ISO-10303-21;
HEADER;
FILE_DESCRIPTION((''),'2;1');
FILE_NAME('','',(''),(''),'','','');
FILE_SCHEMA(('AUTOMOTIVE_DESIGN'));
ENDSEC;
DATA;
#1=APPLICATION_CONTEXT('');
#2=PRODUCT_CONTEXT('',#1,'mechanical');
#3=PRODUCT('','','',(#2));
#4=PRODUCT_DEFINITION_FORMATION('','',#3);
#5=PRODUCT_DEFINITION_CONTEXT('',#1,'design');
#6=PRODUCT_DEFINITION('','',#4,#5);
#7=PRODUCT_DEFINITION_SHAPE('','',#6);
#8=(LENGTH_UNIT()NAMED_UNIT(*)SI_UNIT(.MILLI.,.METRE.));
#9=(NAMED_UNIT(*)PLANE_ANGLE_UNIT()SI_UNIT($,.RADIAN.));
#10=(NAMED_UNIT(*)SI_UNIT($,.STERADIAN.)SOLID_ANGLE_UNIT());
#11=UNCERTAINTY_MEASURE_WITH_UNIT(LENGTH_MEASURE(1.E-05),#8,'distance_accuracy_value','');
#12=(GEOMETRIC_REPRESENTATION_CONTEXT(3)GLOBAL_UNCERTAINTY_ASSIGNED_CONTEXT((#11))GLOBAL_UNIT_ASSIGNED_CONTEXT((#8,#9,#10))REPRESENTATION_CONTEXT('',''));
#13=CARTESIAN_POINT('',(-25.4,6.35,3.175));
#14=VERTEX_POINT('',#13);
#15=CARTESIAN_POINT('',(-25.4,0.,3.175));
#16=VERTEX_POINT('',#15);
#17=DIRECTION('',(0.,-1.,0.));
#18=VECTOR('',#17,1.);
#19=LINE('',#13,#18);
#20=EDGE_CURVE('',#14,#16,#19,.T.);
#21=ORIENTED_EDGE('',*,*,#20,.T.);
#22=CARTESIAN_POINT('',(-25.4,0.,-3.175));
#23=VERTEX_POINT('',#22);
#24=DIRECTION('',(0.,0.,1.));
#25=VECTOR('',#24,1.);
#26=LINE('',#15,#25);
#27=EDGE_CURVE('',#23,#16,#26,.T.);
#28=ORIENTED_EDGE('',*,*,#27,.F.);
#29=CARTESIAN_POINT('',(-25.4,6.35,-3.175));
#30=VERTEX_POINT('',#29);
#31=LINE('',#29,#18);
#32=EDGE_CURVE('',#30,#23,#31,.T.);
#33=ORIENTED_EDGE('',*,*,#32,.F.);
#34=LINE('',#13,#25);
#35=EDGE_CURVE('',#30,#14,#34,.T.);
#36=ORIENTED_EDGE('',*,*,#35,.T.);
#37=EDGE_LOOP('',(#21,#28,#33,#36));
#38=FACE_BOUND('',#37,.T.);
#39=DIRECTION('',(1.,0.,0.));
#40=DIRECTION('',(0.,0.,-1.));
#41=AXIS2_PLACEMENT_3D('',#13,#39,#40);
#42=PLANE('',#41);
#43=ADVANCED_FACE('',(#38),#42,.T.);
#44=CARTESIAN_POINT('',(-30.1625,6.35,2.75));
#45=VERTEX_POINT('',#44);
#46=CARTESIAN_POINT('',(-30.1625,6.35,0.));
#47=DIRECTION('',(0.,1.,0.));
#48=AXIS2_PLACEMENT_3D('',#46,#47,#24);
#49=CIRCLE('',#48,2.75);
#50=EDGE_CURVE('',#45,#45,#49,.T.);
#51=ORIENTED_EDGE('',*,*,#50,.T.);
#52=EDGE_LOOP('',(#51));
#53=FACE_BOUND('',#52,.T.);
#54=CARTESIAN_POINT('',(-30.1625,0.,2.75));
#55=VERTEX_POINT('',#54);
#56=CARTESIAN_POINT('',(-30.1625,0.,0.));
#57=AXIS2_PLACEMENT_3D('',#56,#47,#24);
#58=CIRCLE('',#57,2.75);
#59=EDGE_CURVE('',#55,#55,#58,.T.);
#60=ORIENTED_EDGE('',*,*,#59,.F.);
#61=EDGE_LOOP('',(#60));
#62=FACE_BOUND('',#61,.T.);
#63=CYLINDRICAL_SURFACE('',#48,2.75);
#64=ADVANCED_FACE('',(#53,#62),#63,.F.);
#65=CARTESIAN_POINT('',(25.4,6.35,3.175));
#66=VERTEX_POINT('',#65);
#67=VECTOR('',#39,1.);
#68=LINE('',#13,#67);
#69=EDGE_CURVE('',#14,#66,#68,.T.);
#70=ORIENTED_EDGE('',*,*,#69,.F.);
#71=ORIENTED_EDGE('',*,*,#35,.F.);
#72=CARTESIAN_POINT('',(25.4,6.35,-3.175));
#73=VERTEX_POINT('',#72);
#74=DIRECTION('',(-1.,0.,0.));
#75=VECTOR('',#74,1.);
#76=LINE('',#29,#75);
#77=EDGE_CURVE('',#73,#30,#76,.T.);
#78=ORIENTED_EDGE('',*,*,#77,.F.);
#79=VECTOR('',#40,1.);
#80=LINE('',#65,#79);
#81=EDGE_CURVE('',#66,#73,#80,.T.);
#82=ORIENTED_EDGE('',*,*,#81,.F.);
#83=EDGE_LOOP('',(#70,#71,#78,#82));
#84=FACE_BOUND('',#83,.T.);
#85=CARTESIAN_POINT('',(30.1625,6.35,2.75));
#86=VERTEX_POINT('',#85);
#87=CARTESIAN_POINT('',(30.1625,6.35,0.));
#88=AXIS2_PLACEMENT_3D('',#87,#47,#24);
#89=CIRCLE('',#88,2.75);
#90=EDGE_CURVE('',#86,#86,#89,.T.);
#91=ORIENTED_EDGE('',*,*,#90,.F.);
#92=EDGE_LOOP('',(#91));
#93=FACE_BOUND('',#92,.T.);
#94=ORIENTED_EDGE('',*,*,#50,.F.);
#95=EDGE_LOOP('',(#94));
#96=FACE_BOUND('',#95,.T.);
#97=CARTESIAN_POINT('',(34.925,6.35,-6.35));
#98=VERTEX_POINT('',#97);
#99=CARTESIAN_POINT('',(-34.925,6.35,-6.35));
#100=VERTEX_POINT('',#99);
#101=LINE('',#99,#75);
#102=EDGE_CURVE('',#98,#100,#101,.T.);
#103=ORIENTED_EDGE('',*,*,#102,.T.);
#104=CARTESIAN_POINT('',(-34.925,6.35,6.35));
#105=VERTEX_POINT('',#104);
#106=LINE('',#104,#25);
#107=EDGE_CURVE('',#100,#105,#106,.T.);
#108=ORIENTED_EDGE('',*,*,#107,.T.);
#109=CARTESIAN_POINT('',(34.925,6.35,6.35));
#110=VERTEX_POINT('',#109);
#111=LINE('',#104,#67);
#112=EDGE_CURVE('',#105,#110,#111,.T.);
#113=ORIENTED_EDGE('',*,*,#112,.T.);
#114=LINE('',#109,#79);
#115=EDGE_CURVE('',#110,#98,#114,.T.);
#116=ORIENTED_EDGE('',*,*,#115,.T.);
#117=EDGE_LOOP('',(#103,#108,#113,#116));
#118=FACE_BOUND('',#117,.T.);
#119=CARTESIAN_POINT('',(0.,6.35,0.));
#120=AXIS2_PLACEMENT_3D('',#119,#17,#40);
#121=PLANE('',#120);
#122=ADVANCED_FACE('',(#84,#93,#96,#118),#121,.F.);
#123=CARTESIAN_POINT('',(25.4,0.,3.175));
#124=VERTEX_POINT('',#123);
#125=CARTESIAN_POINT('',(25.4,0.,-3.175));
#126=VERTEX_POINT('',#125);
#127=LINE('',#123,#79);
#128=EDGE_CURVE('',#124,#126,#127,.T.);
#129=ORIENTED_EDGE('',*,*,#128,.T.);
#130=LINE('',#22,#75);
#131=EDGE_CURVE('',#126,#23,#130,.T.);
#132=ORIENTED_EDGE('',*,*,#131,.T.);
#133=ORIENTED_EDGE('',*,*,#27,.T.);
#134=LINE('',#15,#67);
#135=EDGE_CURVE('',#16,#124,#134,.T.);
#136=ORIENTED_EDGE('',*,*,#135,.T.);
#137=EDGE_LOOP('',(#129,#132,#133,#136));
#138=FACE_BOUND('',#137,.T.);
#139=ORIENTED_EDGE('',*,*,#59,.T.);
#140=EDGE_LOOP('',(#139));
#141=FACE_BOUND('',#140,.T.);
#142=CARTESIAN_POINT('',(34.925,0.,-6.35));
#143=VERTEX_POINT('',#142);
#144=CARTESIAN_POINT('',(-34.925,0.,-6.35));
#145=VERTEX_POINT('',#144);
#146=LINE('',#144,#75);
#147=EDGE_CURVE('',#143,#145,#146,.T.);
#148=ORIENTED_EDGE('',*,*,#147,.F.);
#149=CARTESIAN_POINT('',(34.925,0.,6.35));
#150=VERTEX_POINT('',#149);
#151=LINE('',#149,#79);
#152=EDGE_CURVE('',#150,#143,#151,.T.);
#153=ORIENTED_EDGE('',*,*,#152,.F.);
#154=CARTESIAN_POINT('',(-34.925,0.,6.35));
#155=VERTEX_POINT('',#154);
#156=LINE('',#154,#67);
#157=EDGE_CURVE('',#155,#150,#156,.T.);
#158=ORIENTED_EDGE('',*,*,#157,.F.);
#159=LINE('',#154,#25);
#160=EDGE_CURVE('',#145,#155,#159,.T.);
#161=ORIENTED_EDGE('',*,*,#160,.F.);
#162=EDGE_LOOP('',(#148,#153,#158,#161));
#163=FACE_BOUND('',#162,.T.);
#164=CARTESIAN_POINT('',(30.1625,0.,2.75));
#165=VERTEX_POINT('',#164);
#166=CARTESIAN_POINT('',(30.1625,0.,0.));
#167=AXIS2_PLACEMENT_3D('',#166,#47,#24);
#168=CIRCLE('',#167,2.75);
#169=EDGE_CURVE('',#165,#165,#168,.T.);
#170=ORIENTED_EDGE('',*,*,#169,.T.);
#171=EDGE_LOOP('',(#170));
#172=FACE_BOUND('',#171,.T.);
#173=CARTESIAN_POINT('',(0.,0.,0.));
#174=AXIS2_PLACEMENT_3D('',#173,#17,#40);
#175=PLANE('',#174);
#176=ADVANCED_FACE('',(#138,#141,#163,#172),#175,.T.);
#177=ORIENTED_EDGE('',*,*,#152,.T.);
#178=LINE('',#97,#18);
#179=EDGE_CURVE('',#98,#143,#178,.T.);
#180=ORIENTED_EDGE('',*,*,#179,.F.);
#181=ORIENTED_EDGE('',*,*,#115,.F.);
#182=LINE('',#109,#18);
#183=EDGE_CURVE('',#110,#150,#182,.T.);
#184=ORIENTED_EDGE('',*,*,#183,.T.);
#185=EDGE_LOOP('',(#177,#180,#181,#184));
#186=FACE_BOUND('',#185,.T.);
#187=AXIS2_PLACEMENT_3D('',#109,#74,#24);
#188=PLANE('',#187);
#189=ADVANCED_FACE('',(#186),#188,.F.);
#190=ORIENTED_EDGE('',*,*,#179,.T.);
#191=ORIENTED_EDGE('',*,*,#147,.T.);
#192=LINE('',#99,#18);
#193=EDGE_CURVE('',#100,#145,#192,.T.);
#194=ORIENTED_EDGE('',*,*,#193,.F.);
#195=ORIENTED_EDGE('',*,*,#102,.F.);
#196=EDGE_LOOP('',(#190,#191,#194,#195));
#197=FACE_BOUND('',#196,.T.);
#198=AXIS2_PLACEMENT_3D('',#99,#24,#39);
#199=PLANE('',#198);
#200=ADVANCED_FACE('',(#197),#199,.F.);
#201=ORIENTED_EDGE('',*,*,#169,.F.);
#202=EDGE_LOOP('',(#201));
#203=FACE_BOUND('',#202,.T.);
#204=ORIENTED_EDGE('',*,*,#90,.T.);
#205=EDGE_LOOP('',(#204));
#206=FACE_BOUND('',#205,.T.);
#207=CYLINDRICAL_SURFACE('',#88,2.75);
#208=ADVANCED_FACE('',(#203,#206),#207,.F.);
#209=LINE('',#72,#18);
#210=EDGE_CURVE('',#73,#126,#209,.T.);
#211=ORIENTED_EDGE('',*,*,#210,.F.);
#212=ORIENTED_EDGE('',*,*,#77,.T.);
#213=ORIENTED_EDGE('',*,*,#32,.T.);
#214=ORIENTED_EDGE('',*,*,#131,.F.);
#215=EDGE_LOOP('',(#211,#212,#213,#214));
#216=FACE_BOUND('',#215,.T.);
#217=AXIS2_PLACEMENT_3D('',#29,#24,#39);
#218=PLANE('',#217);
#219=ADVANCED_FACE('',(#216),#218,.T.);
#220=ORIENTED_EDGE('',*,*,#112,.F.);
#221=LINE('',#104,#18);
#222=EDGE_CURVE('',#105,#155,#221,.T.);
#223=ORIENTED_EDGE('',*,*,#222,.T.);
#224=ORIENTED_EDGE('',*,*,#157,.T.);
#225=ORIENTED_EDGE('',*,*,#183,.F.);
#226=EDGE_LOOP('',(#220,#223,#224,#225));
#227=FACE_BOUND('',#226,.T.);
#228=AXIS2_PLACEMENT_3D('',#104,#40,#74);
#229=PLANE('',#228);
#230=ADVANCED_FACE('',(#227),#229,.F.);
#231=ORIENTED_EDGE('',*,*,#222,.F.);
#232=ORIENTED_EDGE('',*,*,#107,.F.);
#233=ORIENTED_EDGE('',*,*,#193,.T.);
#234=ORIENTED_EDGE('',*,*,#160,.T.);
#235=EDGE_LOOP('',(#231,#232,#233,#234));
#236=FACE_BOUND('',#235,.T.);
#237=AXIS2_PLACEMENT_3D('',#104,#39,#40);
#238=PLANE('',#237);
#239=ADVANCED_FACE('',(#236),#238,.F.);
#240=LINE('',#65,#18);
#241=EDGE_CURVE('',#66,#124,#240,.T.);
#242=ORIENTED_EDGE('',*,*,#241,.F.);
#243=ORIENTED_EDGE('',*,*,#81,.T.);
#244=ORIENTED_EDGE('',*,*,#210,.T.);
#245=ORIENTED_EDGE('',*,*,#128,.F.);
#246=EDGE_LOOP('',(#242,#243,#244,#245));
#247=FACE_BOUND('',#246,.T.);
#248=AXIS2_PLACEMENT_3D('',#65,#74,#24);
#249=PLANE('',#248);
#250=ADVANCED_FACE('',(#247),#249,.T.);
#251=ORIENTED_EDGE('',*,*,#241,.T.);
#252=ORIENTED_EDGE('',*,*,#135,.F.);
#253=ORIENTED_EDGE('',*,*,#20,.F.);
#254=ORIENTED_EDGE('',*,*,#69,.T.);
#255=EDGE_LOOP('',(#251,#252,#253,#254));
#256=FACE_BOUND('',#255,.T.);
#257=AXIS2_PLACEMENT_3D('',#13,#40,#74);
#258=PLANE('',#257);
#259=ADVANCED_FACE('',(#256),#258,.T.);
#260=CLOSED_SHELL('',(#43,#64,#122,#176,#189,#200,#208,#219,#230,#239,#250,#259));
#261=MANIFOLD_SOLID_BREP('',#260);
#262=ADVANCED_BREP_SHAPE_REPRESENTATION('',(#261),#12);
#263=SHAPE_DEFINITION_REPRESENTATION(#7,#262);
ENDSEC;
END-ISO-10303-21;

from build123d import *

# Parameters (mm, degrees)
SKETCH1_W            = 69.85
SKETCH1_H            = 12.7
SKETCH1_W_2          = 50.8
SKETCH1_H_2          = 6.35
BOSS_EXTRUDE1_DEPTH  = 6.35
M5_CLEARANCE_HOLE1_D = 5.5


with BuildPart() as part:
    # Sketch1 → Boss-Extrude1 (new body)
    with BuildSketch(Plane(origin=(0, 0, 0), x_dir=(1, 0, 0), z_dir=(0, 1, 0))):
        Rectangle(SKETCH1_W, SKETCH1_H)
        Rectangle(SKETCH1_W_2, SKETCH1_H_2, mode=Mode.SUBTRACT)
    extrude(amount=BOSS_EXTRUDE1_DEPTH)

    # M5 Clearance Hole1 (through all)
    with Locations(Plane(origin=(0, 6.35, 0), x_dir=(1, 0, 0), z_dir=(0, 1, 0))):
        with Locations((-30.1625, 0)):
            m5_clearance_hole1 = Hole(M5_CLEARANCE_HOLE1_D / 2)

    # Mirror1: M5 Clearance Hole1 across plane
    add(m5_clearance_hole1.mirror(Plane(origin=(0, 0, 0), x_dir=(0, 0, 1), z_dir=(1, 0, 0))), mode=Mode.SUBTRACT)


solid = part.part
